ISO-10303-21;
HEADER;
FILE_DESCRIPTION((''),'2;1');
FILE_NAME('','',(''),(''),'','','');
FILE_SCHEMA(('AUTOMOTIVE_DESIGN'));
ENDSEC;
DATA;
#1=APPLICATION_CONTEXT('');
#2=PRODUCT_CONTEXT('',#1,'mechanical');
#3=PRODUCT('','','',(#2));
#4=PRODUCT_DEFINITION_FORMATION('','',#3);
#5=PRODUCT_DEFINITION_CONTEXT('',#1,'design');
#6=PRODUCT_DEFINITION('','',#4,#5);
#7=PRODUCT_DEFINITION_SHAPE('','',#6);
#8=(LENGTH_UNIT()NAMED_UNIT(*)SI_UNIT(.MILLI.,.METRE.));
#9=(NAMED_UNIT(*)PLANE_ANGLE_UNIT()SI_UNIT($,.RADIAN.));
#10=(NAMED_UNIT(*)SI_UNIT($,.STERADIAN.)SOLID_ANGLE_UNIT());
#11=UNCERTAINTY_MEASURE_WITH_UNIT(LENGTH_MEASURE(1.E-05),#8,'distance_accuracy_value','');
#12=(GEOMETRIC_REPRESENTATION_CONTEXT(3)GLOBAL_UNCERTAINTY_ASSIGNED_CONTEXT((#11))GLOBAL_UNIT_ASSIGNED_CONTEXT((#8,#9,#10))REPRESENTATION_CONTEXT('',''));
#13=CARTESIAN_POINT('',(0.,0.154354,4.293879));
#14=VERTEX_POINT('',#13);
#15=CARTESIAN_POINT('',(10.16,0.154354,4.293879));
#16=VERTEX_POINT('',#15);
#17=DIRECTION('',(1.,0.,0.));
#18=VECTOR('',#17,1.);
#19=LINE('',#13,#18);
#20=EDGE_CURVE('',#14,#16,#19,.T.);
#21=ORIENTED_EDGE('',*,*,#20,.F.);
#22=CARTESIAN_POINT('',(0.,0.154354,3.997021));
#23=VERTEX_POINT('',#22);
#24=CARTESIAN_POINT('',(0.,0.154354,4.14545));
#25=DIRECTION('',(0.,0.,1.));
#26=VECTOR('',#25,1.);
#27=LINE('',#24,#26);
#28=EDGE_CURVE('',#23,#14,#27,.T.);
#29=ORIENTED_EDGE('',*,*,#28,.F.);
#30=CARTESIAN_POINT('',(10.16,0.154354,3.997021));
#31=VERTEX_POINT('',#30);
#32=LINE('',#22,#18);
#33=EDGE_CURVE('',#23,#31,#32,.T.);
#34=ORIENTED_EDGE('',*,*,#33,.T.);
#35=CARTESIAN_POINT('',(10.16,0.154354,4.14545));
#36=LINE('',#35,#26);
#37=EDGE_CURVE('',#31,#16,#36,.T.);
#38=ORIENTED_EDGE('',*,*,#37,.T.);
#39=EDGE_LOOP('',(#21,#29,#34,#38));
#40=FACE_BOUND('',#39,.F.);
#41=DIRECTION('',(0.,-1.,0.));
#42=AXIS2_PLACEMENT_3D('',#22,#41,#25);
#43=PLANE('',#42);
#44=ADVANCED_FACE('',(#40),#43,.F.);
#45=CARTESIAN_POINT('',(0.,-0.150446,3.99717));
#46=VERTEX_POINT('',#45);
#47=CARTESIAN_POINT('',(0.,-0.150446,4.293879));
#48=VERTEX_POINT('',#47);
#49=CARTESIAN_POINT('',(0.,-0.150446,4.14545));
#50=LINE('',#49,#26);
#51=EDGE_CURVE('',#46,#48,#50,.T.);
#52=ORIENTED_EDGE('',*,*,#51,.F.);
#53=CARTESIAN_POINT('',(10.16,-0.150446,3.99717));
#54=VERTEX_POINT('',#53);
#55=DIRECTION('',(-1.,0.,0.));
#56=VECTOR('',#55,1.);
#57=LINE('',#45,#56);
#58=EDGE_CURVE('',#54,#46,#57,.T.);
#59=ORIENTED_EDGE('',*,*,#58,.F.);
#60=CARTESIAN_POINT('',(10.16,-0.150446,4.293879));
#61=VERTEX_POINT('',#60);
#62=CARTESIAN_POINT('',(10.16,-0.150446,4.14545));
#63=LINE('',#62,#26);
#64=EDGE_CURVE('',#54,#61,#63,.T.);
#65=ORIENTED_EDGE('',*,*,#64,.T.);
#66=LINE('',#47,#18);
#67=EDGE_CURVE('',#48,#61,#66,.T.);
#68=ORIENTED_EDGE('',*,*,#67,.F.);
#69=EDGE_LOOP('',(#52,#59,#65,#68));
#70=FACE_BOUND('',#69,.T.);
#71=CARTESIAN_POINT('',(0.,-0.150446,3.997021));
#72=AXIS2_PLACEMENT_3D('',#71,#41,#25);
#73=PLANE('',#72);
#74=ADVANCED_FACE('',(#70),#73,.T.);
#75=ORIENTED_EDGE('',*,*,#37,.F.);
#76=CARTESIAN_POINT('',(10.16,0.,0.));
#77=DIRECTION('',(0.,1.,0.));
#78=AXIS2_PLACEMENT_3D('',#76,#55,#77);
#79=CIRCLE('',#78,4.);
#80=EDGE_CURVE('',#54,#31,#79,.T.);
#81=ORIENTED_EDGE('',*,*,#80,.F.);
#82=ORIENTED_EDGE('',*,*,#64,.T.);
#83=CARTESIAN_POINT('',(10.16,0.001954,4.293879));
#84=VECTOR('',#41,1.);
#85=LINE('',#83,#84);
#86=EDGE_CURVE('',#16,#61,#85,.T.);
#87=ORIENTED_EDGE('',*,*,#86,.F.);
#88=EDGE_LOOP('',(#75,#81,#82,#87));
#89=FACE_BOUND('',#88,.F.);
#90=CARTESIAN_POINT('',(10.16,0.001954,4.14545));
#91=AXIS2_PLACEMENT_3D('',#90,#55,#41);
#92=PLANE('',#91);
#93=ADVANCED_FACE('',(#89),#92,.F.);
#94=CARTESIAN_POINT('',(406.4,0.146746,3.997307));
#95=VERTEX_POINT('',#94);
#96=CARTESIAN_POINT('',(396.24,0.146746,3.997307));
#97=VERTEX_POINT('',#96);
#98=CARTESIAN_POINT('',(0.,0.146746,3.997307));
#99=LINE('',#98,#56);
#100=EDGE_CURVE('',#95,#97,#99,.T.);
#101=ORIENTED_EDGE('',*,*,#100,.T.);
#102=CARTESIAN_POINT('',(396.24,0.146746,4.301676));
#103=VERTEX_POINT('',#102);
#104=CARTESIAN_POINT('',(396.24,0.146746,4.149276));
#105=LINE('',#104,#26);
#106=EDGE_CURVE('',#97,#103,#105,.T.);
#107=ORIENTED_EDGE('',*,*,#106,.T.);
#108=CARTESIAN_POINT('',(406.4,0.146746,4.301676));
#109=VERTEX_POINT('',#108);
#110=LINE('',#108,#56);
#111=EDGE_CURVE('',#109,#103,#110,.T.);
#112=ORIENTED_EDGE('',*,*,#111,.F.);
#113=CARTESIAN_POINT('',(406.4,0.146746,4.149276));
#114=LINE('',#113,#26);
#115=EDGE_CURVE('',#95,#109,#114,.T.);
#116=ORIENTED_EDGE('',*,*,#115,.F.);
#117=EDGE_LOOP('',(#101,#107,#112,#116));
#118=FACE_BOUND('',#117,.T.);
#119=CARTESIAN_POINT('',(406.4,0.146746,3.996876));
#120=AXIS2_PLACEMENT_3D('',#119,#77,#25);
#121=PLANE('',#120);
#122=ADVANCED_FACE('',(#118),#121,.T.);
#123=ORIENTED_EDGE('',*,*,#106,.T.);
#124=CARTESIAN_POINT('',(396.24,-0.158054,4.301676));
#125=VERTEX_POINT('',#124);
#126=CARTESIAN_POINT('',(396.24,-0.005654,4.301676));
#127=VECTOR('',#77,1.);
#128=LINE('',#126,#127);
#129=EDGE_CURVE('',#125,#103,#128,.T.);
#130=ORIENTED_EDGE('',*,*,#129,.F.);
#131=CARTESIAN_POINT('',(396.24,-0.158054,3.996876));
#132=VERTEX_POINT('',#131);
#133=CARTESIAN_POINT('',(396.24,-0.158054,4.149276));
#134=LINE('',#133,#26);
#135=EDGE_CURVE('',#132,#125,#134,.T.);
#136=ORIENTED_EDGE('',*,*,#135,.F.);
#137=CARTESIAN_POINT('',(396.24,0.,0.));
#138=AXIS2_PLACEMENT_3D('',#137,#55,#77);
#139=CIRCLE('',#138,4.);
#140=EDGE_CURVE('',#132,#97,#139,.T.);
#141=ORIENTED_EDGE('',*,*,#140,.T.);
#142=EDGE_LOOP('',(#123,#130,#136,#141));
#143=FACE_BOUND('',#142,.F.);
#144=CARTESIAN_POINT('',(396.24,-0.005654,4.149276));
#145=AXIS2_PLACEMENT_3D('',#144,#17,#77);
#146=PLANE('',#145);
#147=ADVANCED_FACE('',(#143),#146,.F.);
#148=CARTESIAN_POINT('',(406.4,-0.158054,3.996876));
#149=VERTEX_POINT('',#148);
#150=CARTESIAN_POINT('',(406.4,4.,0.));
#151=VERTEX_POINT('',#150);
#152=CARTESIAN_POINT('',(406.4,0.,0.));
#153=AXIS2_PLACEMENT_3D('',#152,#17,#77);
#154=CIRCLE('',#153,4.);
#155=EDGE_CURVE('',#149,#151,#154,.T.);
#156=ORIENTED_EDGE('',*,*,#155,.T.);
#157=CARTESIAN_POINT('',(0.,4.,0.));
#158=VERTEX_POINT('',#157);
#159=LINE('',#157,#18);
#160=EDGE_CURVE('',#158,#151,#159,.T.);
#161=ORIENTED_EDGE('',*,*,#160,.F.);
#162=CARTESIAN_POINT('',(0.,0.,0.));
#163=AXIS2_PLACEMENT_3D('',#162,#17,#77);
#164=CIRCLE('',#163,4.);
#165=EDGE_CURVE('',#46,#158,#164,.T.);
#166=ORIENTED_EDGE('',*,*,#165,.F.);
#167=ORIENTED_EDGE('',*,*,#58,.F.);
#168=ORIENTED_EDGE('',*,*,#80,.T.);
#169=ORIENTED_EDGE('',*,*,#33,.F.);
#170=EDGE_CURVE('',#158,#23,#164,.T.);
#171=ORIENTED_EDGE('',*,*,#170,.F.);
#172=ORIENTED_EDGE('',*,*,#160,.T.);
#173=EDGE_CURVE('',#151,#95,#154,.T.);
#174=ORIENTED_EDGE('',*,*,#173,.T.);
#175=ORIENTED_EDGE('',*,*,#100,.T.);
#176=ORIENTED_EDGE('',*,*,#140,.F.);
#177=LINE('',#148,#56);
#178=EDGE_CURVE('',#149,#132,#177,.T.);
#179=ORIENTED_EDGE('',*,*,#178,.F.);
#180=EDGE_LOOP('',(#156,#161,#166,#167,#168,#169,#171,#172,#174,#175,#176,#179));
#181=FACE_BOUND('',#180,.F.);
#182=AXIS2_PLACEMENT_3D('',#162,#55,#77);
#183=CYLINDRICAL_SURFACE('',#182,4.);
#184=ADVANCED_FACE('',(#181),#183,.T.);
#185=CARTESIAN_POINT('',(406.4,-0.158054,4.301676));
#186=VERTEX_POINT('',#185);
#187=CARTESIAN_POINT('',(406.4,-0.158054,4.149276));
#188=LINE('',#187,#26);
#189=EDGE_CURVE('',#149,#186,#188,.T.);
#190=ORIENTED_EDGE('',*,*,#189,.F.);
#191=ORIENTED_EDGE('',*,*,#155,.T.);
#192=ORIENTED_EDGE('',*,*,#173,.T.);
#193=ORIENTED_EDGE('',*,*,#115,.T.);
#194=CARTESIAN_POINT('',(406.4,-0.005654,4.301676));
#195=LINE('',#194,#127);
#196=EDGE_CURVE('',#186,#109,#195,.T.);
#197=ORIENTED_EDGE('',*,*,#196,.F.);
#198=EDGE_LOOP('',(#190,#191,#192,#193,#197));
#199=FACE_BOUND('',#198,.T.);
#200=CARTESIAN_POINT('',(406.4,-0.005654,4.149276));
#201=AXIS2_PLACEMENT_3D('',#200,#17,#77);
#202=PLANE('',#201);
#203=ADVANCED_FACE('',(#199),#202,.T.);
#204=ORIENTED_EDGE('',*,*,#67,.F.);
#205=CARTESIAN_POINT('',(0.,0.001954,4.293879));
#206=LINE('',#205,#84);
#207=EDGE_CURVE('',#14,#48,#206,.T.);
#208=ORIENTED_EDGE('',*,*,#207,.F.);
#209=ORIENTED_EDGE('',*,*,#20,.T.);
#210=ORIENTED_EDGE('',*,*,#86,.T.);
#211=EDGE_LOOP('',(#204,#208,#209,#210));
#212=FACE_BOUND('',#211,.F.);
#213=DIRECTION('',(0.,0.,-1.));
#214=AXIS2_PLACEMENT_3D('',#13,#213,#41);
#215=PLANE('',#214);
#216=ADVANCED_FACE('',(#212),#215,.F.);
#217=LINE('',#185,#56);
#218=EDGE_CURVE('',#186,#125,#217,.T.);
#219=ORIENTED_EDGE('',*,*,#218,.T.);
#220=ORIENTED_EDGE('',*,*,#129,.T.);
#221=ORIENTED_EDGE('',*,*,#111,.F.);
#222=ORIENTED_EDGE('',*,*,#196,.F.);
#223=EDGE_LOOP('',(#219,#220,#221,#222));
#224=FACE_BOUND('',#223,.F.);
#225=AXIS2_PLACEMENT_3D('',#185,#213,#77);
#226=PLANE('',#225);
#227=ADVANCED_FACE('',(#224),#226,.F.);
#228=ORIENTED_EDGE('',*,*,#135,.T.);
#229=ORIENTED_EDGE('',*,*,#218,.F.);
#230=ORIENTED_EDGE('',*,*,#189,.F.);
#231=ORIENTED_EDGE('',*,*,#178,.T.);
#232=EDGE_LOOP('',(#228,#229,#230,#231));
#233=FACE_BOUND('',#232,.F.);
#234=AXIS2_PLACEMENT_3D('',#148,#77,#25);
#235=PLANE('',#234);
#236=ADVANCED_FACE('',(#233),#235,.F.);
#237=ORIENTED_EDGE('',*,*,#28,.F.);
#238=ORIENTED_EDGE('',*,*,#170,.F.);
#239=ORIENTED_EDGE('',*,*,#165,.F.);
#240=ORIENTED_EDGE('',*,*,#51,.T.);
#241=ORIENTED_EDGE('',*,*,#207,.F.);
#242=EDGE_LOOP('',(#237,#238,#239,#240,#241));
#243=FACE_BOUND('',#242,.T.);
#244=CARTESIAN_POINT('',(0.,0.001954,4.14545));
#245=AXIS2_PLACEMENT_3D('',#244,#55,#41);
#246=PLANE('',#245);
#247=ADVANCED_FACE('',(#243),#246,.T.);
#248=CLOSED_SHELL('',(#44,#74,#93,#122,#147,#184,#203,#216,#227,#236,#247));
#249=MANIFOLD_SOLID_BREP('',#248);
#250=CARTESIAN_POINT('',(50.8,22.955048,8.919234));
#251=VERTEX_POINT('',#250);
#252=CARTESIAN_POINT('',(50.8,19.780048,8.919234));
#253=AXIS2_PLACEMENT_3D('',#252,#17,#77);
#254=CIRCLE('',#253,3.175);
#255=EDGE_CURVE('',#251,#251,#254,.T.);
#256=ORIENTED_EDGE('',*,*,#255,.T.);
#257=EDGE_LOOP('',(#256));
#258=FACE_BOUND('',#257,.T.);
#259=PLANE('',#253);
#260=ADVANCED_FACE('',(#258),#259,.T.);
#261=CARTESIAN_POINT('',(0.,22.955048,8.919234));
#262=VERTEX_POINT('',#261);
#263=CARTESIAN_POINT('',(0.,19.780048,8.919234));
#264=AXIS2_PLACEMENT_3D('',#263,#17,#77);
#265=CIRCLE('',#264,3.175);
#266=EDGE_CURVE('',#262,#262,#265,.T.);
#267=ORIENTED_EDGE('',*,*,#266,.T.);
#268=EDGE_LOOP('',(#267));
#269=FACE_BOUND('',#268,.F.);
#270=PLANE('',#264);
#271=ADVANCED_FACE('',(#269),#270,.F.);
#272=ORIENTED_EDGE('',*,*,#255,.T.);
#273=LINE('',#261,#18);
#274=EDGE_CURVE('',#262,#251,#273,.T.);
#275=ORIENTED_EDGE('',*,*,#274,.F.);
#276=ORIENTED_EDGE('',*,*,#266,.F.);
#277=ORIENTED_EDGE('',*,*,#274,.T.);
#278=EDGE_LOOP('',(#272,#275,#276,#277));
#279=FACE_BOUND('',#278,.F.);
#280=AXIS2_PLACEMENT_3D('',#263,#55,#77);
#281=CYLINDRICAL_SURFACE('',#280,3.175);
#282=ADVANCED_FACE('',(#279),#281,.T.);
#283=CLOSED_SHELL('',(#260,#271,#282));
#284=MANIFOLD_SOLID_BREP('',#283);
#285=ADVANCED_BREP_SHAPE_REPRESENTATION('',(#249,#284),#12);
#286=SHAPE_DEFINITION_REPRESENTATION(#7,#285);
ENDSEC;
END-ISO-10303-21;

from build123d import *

# Parameters (mm, degrees)
F0_R      = 4
F1_DEPTH  = 406.4
F6_W      = 0.3048
F6_H      = 0.3048
F7_DEPTH  = 10.16
F8_W      = 0.3048
F8_H      = 0.296858
F9_DEPTH  = 10.16
F10_R     = 3.175
F11_DEPTH = 50.8


with BuildPart() as f1:
    # F0 (on Right) → F1 (new body)
    with BuildSketch(Plane.YZ):
        Circle(F0_R)
    extrude(amount=F1_DEPTH)

    # F6 (on face) → F7 (join)
    with BuildSketch(Plane.YZ.offset(406.4)):
        with Locations((-0.005654, 4.149276)):
            Rectangle(F6_W, F6_H)
    extrude(amount=-F7_DEPTH)

    # F8 (on face) → F9 (join)
    with BuildSketch(Plane(origin=(0, 0, 0), x_dir=(0, -1, 0), z_dir=(-1, 0, 0))):
        with Locations((-0.001954, 4.14545)):
            Rectangle(F8_W, F8_H)
    extrude(amount=-F9_DEPTH)


with BuildPart() as f11:
    # F10 (on Right) → F11 (new body)
    with BuildSketch(Plane.YZ):
        with Locations((19.780048, 8.919234)):
            Circle(F10_R)
    extrude(amount=F11_DEPTH)


solid = Compound([f1.part, f11.part])
